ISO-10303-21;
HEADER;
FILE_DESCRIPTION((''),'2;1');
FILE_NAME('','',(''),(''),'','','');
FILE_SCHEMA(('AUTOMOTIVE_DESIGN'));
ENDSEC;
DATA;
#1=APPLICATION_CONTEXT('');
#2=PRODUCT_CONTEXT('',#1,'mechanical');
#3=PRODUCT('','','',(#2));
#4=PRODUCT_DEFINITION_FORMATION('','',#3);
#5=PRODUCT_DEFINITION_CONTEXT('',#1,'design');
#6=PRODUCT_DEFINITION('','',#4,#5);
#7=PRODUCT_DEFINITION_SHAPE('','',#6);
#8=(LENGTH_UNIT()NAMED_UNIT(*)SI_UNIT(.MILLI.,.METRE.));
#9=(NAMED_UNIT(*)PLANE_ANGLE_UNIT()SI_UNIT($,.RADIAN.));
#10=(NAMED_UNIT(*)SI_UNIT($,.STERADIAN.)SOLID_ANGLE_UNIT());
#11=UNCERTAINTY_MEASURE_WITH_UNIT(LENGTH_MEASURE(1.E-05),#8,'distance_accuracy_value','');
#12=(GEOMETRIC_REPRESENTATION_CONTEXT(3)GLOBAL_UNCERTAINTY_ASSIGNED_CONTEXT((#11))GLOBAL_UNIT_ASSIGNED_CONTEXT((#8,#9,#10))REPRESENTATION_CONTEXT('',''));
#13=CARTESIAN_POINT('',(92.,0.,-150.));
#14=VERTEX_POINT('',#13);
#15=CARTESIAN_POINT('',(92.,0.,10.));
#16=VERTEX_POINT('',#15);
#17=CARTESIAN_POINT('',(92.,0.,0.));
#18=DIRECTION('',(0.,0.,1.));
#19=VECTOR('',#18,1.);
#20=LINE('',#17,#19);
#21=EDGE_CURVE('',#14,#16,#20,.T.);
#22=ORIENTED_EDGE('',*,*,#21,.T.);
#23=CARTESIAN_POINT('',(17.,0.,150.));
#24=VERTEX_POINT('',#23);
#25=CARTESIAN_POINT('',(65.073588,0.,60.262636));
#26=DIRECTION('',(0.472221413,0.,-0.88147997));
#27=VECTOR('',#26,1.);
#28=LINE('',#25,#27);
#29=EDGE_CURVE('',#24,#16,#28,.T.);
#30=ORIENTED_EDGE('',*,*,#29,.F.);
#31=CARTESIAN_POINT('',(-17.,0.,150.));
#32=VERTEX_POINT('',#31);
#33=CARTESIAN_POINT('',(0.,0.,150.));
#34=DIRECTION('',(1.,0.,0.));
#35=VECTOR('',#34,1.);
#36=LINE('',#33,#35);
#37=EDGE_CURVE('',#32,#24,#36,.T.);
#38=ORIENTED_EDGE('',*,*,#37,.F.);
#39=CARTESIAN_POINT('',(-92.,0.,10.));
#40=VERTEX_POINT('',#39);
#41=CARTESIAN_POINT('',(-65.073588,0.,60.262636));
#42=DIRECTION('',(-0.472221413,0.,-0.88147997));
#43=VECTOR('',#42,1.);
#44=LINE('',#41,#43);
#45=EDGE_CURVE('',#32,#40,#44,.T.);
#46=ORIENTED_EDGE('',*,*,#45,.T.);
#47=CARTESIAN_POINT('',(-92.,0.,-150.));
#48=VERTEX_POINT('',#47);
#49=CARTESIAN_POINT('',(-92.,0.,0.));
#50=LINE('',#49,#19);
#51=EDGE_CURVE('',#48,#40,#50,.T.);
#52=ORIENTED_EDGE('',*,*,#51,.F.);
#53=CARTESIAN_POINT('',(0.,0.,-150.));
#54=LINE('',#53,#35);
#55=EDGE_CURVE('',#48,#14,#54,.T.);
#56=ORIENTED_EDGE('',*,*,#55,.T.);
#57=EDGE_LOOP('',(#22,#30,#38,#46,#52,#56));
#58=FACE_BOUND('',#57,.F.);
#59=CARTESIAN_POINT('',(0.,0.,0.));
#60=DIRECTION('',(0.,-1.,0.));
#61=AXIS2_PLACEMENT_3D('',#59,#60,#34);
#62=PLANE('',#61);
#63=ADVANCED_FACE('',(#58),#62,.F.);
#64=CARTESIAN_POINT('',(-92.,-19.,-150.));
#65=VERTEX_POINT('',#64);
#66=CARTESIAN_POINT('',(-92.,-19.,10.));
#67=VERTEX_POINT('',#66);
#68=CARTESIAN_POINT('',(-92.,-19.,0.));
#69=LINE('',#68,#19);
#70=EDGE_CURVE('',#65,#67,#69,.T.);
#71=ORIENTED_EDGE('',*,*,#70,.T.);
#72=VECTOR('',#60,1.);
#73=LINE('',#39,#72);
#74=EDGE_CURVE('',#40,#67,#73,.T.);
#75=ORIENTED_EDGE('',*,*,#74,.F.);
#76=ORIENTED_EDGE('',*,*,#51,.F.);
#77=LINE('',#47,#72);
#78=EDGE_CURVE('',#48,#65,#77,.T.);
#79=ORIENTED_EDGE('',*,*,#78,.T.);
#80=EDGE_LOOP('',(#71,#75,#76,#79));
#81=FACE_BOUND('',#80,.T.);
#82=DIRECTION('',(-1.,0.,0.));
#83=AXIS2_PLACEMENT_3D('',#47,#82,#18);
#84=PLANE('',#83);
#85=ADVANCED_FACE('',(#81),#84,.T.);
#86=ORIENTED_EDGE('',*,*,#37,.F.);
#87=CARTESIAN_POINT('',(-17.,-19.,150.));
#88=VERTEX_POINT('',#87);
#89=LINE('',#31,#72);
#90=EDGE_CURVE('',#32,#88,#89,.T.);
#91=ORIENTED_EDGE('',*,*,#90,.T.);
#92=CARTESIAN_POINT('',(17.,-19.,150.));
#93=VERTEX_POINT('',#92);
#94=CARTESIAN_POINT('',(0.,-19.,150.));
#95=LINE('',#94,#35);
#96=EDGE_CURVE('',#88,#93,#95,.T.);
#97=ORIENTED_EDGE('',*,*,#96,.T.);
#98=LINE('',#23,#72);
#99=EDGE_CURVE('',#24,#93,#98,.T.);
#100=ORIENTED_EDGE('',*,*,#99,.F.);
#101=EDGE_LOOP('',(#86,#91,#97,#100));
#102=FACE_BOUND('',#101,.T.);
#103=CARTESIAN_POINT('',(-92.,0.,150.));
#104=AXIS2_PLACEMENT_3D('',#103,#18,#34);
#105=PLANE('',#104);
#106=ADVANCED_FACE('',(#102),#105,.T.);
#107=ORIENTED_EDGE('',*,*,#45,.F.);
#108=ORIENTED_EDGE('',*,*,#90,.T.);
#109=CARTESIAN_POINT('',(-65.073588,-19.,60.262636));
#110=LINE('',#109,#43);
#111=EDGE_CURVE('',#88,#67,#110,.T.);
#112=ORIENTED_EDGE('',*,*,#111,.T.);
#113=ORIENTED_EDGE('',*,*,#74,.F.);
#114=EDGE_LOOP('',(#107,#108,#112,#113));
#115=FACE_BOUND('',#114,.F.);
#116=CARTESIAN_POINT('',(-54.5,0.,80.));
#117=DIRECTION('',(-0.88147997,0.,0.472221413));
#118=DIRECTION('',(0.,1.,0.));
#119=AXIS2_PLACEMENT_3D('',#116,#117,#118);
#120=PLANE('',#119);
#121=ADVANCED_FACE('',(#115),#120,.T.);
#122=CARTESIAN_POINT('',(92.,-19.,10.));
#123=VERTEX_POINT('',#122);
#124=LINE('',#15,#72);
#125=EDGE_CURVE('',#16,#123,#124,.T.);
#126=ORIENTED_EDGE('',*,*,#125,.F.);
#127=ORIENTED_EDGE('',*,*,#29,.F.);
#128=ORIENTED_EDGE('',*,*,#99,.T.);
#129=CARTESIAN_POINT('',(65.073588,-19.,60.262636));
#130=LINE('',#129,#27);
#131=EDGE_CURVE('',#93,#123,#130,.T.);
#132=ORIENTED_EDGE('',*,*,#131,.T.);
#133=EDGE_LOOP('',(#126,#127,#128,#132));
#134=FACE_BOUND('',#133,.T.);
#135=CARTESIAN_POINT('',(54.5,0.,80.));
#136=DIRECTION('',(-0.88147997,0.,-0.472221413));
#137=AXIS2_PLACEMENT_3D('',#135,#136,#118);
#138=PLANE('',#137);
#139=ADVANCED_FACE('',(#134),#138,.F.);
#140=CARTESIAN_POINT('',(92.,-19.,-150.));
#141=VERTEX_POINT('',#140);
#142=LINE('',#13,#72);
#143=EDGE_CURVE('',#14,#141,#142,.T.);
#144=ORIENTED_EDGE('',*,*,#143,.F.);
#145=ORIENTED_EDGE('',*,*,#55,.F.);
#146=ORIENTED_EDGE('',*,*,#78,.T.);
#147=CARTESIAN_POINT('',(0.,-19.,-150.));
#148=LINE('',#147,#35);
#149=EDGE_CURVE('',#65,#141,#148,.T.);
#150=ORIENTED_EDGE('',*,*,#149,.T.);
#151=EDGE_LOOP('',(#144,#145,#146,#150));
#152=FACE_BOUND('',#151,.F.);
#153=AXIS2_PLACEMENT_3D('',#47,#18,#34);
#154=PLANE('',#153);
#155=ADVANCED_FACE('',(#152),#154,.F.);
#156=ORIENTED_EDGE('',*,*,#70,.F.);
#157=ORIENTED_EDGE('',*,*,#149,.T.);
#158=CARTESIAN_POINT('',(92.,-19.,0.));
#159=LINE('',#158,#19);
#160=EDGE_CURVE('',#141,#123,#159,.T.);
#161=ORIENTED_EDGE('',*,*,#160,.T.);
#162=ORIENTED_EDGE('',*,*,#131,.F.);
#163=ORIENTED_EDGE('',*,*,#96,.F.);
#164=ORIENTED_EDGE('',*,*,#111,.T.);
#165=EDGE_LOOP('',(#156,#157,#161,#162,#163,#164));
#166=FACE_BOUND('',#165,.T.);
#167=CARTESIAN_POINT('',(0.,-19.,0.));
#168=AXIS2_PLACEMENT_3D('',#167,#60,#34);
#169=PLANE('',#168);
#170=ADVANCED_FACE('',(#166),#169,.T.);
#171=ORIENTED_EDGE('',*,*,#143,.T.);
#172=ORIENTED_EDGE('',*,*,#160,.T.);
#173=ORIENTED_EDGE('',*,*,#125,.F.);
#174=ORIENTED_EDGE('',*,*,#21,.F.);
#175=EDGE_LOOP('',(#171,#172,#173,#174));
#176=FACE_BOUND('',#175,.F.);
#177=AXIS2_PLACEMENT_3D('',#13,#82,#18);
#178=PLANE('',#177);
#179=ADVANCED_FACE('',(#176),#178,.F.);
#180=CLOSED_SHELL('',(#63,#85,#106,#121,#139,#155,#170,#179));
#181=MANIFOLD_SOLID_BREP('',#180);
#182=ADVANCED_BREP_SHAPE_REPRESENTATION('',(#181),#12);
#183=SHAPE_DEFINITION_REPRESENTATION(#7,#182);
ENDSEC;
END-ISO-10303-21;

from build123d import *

# Parameters (mm, degrees)
F0_W     = 184
F0_H     = 300
F1_DEPTH = 19
F2_SIZE2 = 140
F2_SIZE  = 75


with BuildPart() as f1:
    # F0 (on Front) → F1 (new body)
    with BuildSketch(Plane.XZ):
        Rectangle(F0_W, F0_H)
    extrude(amount=F1_DEPTH)

    # F2
    f2_edges = [f1.edges().sort_by_distance(p)[0] for p in [
        (92, -9.5, 150),
        (-92, -9.5, 150),
    ]]
    f2_side = f1.faces().sort_by_distance((0, -9.5, 150))[0]
    chamfer(f2_edges, length=F2_SIZE, length2=F2_SIZE2, reference=f2_side)


solid = f1.part
